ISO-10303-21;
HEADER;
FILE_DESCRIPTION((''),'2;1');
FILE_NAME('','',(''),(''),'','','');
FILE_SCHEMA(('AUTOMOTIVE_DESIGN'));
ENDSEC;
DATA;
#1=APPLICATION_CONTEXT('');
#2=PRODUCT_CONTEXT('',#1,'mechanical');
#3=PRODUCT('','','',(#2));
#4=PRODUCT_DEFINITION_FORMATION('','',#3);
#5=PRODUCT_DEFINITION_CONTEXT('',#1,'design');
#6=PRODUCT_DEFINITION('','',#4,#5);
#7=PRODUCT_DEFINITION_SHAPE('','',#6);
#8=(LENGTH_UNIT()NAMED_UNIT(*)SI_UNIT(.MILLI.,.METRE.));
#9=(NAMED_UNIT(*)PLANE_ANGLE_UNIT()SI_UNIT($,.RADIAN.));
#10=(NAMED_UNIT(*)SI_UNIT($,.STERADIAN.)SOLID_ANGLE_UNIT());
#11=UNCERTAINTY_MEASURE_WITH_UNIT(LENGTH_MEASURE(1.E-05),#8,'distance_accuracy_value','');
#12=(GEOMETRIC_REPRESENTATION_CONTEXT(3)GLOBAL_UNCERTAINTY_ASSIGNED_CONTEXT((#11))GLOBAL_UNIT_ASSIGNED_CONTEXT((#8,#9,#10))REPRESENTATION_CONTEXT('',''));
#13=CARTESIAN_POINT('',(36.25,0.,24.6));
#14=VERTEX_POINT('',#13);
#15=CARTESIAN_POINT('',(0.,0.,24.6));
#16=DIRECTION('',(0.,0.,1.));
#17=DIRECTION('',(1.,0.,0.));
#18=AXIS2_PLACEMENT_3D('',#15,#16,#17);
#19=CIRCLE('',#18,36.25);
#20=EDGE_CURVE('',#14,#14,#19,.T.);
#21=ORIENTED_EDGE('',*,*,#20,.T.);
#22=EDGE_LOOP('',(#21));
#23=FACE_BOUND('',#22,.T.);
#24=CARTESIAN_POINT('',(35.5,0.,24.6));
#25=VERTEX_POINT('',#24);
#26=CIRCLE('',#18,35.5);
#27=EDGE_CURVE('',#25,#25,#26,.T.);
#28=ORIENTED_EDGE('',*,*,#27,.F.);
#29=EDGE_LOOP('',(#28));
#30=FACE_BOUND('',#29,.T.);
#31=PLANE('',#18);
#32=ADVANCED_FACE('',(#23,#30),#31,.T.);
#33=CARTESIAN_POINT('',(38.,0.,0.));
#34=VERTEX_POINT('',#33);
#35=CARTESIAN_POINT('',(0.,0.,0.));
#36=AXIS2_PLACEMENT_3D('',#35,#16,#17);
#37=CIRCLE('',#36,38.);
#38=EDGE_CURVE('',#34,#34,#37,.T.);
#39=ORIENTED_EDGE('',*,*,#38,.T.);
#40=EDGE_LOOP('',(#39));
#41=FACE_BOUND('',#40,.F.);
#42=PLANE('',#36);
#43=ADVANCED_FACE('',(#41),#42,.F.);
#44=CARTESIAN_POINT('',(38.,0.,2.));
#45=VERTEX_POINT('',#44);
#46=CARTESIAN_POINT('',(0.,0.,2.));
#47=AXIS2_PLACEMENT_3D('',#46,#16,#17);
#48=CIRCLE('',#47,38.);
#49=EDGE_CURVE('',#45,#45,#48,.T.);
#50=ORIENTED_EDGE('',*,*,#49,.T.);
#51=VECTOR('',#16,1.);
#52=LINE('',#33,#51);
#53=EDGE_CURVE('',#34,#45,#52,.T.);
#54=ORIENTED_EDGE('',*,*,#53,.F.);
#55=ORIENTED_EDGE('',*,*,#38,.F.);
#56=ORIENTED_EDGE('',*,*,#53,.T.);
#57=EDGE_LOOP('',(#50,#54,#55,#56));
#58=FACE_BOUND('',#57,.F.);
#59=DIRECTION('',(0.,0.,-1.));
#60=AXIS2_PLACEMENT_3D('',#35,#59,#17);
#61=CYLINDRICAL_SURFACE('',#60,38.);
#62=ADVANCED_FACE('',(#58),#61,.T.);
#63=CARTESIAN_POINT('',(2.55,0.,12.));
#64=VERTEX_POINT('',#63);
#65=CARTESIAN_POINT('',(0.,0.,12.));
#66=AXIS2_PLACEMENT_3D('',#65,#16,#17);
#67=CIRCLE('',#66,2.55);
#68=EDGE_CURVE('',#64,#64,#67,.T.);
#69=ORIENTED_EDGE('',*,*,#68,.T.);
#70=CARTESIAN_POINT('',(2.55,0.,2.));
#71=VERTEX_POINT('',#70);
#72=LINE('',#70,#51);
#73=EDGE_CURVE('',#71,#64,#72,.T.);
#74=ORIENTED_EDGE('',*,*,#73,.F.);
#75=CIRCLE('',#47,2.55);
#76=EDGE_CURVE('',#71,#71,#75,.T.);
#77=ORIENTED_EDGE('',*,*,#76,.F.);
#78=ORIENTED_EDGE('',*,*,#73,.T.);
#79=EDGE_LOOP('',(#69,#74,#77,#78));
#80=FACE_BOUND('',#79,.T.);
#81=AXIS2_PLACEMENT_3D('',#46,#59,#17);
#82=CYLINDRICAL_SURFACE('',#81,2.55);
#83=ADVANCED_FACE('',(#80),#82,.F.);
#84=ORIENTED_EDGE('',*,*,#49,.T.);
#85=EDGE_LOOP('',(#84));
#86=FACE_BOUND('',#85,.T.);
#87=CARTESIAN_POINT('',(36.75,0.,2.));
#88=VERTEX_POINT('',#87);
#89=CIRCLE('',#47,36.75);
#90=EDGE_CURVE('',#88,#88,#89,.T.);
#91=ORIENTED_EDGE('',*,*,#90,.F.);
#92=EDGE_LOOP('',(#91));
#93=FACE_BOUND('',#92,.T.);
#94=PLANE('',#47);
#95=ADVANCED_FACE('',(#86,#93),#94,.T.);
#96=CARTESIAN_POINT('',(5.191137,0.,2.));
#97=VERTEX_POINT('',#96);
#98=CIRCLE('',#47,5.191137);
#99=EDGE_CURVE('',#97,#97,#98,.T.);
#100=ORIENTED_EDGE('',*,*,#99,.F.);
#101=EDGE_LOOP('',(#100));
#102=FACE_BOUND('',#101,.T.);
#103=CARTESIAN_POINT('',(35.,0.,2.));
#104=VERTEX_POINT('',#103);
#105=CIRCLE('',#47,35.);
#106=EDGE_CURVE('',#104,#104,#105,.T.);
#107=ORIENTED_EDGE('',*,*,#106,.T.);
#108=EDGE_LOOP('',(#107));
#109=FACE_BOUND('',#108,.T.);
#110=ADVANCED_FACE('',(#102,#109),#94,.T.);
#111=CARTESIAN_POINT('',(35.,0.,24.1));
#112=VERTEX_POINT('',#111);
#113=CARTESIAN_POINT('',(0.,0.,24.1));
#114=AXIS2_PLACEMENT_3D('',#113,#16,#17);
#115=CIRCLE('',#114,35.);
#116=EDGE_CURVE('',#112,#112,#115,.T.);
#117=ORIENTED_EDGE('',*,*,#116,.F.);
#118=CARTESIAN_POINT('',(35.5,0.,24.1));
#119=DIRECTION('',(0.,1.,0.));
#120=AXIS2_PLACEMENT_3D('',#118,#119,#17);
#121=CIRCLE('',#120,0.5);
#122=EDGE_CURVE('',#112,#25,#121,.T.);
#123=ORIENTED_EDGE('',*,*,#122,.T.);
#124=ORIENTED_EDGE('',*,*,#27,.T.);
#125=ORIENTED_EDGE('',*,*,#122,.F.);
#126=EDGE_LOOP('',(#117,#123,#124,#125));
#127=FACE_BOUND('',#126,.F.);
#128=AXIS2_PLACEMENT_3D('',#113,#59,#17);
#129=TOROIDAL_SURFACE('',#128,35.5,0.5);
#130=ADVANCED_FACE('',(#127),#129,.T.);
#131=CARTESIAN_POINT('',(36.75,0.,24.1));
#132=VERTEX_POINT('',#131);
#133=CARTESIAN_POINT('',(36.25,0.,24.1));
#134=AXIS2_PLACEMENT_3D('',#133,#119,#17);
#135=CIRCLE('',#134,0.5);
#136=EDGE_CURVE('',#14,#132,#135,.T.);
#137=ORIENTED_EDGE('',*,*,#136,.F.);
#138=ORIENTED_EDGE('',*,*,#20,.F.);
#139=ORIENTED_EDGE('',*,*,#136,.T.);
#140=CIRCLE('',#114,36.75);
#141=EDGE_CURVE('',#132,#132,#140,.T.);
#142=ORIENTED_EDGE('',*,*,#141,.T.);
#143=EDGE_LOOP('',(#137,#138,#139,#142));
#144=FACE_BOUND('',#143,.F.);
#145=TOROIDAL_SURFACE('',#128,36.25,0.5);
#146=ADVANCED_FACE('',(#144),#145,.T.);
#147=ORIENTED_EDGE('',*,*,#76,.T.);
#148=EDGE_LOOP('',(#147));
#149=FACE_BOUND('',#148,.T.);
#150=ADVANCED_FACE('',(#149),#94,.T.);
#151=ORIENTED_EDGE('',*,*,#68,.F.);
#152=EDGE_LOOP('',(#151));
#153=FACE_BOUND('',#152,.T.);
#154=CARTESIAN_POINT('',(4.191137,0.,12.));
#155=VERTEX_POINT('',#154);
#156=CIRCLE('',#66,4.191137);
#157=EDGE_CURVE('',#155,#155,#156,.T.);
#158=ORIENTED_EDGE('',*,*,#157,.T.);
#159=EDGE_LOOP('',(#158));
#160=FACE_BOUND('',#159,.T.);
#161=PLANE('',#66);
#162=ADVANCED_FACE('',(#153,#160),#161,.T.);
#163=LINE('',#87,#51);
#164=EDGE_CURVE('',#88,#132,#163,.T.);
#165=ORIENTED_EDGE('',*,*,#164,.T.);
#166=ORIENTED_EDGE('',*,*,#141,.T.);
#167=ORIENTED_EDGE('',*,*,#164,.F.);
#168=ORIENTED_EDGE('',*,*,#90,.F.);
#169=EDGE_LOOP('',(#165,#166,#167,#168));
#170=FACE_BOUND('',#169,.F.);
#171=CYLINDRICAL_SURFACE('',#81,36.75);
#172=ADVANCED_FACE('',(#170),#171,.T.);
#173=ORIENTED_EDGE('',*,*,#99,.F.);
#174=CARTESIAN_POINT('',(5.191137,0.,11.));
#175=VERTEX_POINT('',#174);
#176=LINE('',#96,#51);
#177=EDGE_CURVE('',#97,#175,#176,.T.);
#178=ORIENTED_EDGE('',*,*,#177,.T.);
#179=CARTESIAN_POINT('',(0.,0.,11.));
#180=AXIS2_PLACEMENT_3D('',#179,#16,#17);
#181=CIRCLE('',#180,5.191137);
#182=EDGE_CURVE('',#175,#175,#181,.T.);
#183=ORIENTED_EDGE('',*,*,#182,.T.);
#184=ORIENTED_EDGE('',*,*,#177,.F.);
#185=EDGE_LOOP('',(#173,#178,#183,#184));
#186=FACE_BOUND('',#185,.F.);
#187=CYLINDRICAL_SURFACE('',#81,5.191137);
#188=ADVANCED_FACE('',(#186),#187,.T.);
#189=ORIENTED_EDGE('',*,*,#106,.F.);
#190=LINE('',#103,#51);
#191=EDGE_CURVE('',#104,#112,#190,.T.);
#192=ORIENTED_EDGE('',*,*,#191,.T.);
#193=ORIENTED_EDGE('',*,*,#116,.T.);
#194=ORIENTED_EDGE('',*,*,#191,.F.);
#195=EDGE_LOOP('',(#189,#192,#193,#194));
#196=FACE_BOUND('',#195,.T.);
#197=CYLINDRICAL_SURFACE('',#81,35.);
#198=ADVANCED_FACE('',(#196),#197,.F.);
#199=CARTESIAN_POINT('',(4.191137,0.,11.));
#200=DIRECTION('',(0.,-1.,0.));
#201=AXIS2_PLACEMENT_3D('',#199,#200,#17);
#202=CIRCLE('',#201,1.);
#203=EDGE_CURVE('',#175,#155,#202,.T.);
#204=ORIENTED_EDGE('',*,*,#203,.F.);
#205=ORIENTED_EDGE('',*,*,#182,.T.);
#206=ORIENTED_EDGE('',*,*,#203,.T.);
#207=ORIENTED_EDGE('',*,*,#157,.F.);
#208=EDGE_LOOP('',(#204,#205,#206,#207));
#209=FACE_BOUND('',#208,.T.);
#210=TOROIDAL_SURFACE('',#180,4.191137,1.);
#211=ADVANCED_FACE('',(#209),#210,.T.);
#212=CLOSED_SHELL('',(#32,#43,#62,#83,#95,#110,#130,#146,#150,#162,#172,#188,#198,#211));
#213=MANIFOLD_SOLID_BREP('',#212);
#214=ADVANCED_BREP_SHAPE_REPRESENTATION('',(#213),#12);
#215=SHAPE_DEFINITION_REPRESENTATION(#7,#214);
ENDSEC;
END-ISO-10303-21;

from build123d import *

# Parameters (mm, degrees)
SKETCH_R      = 38
PAD_DEPTH     = 2
SKETCH001_R   = 36.75
SKETCH001_R_2 = 35
PAD001_DEPTH  = 22.6
SKETCH002_R   = 5.191137
SKETCH002_R_2 = 2.55
PAD002_DEPTH  = 10
FILLET_R      = 1
FILLET001_R   = 0.5


with BuildPart() as part:
    # Sketch → Pad (new body)
    with BuildSketch(Plane.XY):
        Circle(SKETCH_R)
    extrude(amount=PAD_DEPTH)

    # Sketch001 → Pad001 (new body)
    with BuildSketch(Plane.XY.offset(2)):
        Circle(SKETCH001_R)
        Circle(SKETCH001_R_2, mode=Mode.SUBTRACT)
    extrude(amount=PAD001_DEPTH)

    # Sketch002 → Pad002 (new body)
    with BuildSketch(Plane.XY.offset(2)):
        Circle(SKETCH002_R)
        Circle(SKETCH002_R_2, mode=Mode.SUBTRACT)
    extrude(amount=PAD002_DEPTH)

    # Fillet
    fillet_edges = [part.edges().sort_by_distance(p)[0] for p in [
        (5.191137, 0, 7),
        (-5.191137, 0, 12),
    ]]
    fillet(fillet_edges, radius=FILLET_R)

    # Fillet001
    fillet001_edges = [part.edges().sort_by_distance(p)[0] for p in [
        (-36.75, 0, 24.6),
        (-35, 0, 24.6),
    ]]
    fillet(fillet001_edges, radius=FILLET001_R)


solid = part.part
